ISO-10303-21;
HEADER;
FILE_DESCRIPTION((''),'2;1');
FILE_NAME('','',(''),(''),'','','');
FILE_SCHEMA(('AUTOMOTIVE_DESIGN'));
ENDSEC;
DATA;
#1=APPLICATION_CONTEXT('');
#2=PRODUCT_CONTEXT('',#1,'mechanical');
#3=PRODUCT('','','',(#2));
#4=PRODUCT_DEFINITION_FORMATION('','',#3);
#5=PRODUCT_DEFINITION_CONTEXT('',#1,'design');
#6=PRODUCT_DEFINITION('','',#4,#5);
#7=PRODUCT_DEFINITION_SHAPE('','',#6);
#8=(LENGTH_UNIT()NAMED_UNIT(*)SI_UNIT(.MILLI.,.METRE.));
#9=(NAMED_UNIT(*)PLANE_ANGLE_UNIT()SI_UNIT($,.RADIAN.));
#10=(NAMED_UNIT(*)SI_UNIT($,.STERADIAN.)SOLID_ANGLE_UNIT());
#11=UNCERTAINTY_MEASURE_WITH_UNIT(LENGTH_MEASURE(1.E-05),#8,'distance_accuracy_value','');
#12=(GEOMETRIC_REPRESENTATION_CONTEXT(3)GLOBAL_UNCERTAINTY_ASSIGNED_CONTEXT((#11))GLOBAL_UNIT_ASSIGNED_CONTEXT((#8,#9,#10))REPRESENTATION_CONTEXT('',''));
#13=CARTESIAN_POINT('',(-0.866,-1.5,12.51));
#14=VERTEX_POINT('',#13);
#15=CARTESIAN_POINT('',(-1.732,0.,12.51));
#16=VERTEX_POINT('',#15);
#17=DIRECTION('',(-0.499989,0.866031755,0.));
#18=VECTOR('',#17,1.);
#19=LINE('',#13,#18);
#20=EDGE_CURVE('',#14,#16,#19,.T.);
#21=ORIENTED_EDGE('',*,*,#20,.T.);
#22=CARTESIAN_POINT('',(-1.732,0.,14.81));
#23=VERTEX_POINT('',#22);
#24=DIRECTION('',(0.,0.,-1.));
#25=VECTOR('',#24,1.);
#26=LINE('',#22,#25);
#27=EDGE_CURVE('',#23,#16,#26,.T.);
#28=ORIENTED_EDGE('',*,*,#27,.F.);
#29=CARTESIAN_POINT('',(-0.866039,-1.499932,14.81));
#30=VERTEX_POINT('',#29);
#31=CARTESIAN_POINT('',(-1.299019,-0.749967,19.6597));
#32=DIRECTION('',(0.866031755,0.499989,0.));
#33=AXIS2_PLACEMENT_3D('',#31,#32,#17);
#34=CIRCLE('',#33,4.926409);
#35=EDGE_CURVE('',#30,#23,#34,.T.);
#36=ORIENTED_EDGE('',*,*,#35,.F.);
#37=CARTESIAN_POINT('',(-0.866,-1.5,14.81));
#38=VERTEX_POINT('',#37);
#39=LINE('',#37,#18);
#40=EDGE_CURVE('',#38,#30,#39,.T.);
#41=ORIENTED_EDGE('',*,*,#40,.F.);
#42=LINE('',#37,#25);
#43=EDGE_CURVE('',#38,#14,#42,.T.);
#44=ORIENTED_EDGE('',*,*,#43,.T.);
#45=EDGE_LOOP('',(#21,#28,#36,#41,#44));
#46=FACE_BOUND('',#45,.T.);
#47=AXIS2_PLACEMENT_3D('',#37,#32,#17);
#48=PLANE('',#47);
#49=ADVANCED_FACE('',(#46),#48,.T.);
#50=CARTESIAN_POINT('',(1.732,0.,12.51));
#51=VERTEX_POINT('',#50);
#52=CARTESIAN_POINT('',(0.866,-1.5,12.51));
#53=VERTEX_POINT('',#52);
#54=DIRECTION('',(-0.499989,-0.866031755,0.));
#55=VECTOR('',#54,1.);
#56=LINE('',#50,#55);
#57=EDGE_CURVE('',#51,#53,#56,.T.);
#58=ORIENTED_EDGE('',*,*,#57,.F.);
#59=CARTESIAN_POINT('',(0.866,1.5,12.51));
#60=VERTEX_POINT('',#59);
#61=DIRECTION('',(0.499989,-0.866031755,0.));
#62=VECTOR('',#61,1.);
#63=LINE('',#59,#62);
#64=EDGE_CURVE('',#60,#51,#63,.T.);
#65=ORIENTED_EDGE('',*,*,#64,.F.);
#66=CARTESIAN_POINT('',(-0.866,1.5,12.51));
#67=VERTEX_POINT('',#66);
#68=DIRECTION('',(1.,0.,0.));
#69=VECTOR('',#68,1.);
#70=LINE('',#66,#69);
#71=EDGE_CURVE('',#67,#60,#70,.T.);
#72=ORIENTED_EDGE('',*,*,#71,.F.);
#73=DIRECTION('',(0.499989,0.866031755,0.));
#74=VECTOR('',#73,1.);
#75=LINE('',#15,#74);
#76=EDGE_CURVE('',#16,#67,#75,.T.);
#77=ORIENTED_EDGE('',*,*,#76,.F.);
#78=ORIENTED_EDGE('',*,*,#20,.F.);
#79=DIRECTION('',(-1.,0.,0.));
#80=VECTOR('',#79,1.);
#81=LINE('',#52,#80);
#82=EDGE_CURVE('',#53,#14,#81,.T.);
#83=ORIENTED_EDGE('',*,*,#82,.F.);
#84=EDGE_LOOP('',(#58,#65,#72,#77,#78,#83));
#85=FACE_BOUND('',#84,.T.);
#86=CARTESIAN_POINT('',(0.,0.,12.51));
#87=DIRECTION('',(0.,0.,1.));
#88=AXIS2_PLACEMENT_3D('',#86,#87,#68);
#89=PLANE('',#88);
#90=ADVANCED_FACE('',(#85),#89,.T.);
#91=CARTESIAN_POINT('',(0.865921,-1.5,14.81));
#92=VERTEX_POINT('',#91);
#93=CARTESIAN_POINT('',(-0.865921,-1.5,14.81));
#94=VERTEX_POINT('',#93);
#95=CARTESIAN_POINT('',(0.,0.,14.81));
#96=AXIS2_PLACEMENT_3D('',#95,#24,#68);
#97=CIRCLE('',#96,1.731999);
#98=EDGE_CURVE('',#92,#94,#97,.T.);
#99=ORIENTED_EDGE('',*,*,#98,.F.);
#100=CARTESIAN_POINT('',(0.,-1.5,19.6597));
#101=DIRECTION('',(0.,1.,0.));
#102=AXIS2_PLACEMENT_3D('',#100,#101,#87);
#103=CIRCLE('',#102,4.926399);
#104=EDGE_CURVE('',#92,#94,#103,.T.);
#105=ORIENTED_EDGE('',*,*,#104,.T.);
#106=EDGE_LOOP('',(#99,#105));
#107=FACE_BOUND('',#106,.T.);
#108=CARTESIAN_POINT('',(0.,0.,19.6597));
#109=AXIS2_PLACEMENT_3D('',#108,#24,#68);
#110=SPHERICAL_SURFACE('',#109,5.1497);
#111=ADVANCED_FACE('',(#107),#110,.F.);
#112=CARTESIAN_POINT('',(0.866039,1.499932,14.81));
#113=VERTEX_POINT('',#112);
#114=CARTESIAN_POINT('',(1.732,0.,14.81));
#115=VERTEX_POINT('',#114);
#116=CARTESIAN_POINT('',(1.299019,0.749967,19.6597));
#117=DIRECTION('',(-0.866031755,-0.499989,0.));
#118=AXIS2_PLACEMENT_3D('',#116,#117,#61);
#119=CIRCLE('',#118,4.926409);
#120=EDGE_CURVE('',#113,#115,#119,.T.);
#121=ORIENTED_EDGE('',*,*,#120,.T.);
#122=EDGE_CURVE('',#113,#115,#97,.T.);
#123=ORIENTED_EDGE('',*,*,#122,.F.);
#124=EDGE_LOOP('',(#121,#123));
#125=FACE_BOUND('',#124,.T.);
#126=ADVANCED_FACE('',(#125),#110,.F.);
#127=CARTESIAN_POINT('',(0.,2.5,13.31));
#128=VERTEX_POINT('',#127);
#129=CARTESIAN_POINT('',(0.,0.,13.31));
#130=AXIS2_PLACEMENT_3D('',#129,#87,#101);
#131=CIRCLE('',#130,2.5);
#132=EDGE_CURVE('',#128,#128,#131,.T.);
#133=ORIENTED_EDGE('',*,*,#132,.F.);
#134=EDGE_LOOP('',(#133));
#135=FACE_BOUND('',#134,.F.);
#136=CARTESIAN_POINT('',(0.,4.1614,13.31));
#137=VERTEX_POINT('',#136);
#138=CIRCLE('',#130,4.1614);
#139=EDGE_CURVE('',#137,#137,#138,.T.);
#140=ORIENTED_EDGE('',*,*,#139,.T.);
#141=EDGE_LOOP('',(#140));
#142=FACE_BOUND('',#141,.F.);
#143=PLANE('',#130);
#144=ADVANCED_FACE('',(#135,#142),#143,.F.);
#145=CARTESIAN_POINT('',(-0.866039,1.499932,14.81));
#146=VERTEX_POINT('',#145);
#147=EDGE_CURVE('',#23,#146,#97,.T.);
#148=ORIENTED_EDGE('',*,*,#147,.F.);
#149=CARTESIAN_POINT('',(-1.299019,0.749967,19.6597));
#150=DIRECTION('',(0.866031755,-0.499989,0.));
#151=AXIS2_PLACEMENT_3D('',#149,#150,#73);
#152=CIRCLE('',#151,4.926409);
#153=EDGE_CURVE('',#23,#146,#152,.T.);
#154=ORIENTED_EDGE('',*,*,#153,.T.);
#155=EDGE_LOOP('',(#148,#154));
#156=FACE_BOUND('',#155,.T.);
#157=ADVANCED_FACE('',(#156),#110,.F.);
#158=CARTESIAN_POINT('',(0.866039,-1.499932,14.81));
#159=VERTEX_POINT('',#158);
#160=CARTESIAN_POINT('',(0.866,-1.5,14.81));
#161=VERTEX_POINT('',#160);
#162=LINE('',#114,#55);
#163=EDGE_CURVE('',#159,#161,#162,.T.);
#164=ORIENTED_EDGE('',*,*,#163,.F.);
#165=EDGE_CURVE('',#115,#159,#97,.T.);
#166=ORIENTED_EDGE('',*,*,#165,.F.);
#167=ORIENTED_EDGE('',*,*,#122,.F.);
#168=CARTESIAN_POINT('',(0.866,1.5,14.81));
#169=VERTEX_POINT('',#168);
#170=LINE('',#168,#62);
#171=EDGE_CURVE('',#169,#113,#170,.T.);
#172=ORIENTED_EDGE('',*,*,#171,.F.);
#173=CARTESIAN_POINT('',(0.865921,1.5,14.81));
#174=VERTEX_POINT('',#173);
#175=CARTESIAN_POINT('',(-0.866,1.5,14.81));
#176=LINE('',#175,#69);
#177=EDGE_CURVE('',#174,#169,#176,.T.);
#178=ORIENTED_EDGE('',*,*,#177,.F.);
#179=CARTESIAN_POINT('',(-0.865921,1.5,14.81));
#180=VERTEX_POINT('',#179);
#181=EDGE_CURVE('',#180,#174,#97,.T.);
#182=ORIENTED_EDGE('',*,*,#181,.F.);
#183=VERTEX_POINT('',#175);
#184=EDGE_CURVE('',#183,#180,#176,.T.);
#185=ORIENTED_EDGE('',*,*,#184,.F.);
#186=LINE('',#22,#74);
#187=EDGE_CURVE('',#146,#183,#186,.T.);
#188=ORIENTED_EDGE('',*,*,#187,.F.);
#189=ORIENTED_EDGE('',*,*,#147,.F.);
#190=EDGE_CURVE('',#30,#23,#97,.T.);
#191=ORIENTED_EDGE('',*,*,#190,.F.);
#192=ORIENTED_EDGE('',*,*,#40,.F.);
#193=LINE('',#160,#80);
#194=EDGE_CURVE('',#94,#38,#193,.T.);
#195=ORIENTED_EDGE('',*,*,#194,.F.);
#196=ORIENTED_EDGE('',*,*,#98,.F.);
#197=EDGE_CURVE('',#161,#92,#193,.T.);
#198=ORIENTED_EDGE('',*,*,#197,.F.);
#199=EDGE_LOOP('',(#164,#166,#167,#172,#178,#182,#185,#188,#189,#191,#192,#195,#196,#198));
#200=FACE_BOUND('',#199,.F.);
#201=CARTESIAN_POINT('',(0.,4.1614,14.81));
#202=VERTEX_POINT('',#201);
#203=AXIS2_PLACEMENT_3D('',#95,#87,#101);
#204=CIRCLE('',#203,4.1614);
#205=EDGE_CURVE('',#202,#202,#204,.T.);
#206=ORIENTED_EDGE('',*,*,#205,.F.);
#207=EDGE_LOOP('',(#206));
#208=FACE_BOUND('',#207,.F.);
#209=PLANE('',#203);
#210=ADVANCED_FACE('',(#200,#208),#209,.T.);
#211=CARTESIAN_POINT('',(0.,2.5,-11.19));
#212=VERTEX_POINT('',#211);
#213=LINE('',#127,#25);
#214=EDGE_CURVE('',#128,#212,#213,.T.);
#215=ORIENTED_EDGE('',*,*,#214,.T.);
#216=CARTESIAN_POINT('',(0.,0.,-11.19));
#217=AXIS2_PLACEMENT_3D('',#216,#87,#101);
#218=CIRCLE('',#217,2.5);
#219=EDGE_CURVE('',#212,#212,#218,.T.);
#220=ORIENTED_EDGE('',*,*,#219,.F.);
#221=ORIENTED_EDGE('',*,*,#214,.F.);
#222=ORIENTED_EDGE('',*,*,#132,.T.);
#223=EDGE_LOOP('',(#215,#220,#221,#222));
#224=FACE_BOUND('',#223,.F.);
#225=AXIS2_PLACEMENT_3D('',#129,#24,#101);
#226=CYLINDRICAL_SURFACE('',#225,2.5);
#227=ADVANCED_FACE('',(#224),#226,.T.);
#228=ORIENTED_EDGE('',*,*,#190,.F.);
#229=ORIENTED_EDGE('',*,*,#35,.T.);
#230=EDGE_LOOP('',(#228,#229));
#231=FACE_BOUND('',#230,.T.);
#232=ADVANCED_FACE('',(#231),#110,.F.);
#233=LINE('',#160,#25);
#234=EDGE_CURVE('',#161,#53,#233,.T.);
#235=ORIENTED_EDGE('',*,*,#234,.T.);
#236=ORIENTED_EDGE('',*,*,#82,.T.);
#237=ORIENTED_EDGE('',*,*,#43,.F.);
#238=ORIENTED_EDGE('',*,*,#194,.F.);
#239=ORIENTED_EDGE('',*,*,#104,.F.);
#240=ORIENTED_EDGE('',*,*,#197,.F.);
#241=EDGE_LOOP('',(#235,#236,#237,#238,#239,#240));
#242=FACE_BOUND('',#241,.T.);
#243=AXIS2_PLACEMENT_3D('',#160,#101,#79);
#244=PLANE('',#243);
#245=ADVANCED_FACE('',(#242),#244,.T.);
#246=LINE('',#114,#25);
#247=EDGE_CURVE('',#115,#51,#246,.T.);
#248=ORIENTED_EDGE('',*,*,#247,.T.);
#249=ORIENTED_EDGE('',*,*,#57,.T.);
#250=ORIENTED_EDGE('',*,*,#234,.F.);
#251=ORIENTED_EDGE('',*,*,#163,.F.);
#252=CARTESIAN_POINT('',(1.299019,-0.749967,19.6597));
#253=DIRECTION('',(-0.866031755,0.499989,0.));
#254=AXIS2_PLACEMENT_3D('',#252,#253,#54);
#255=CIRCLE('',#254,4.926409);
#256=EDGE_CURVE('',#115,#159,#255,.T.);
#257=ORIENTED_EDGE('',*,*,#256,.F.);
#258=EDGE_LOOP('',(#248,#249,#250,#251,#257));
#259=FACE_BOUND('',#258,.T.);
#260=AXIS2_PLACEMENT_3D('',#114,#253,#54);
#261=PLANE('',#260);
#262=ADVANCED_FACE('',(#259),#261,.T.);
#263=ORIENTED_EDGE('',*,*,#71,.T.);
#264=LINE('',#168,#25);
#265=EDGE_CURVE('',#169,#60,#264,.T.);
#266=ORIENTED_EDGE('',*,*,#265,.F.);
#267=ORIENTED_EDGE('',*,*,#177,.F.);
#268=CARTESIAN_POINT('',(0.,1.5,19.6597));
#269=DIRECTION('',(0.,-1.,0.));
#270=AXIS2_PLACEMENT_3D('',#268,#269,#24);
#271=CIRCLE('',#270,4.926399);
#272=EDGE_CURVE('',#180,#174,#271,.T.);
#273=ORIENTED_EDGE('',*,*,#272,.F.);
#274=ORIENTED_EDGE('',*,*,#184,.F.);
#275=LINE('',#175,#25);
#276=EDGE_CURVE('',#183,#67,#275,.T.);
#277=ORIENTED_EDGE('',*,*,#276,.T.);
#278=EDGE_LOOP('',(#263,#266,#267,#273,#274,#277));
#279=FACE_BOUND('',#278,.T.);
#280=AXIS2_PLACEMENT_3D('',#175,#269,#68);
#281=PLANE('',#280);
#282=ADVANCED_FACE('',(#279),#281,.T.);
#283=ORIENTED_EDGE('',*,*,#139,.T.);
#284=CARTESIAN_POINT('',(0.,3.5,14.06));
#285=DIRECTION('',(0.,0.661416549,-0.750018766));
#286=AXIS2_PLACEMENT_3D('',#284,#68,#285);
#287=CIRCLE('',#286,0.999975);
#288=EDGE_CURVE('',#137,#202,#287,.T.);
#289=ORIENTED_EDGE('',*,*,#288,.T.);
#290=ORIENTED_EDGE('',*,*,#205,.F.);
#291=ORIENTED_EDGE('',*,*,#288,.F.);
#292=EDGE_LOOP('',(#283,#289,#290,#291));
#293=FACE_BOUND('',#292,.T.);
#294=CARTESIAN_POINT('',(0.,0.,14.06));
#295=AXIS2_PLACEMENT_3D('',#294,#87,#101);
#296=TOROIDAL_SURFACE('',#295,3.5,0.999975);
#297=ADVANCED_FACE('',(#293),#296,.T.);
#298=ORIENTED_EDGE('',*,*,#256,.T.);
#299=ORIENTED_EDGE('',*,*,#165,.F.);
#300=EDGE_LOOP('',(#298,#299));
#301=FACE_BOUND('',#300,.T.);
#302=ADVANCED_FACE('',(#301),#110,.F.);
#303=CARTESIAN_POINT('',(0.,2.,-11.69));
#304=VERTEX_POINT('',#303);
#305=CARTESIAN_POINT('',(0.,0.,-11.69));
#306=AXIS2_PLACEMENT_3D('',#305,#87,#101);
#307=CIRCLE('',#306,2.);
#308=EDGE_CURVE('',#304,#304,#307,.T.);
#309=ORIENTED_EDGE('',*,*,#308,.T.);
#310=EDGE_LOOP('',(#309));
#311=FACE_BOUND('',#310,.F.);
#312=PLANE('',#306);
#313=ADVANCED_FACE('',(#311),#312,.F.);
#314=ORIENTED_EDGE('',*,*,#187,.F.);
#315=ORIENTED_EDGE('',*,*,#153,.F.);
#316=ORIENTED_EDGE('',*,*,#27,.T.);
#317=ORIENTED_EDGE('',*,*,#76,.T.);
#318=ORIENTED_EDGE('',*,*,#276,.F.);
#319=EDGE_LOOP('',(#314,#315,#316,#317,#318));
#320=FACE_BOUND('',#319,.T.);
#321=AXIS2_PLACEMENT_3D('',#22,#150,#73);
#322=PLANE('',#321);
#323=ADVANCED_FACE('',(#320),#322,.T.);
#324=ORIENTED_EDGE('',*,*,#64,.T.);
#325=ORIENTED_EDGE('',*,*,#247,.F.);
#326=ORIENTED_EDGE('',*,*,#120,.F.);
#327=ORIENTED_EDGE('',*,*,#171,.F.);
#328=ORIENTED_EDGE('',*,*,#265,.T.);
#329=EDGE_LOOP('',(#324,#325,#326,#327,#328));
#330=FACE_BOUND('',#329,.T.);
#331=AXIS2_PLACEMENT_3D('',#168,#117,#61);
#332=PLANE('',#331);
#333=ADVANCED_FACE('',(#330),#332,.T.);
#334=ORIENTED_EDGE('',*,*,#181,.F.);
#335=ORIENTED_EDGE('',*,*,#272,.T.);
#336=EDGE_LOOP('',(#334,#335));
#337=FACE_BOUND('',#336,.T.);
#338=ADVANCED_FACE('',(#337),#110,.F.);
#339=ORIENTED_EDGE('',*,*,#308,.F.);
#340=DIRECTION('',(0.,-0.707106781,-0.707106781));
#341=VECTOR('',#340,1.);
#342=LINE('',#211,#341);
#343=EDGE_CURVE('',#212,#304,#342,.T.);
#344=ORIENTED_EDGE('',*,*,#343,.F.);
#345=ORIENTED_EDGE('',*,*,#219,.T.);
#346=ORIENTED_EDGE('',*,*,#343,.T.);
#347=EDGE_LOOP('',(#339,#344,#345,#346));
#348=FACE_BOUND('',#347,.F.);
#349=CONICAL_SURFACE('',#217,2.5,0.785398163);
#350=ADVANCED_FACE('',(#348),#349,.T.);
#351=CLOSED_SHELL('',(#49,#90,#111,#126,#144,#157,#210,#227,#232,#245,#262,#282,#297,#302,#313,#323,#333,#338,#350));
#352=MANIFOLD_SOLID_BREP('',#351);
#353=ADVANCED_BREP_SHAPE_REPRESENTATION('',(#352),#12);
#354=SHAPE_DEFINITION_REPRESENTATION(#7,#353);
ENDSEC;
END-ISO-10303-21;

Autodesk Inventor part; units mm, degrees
ref_plane "YZ Plane" through (0, 0, 0) normal (1, 0, 0) x (0, 1, 0)
ref_plane "XZ Plane" through (0, 0, 0) normal (0, 1, 0) x (-1, 0, 0)
ref_plane "XY Plane" through (0, 0, 0) normal (0, 0, 1) x (1, 0, 0)
sketch "Sketch1" plane through (0, 0, 0) normal (1, 0, 0) x (0, 1, 0)
  line L0 (2.5, 2.81) -> (2.5, 11.31)
  spline S0 degree 2 poles (-3.9658, 2.81) (-4.0258, 2.8689) (-4.0876, 2.9295) knots 0 0 0 0.017848 0.017848 0.017848 weights 1 1.00044 1.00066
  line L1 (-2.5, 11.31) -> (-2.5, 2.81)
  line L2 (1.7321, 14.76) -> (1.7821, 14.81)
  line L3 (-1.7821, 14.81) -> (4.1614, 14.81)
  arc A0 (4.1614, 13.31) -> (4.1614, 14.81) centre (3.5, 14.06) ccw
  line L4 (4.1614, 13.31) -> (2.5, 13.31)
  line L5 (2.5, 13.31) -> (2.5, -11.19)
  line L6 (2.5, -11.19) -> (2, -11.69)
  line L7 (2, -11.69) -> (-2, -11.69)
  line L8 (-2, -11.69) -> (-2.5, -11.19)
  line L9 (-2.5, -11.19) -> (-2.5, 13.31)
  line L10 (-2.5, 13.31) -> (-4.1614, 13.31)
  arc A1 (-4.1614, 14.81) -> (-4.1614, 13.31) centre (-3.5, 14.06) ccw
  line L11 (-4.1614, 14.81) -> (-1.7821, 14.81)
  line L12 (-1.7821, 14.81) -> (-1.7321, 14.76)
  line L13 (-2, -11.69) -> (2, -11.69)
  line L14 (0, -11.69) -> (0, 14.81)
  point P0 (0, 0)
revolve "Revolution1" add sketch "Sketch1" angle 360 about axis through (0, 0, -11.69) along (0, 0, 1) contours L5 L6 L7 L14 L3 A0 L4 L0
sketch "Sketch2" plane through (0, 0, 14.81) normal (0, 0, 1) x (1, 0, 0)
  line L0 (1.732, 0) -> (0.866, -1.5)
  line L1 (0.866, -1.5) -> (-0.866, -1.5)
  line L2 (-0.866, -1.5) -> (-1.732, 0)
  line L3 (-1.732, 0) -> (-0.866, 1.5)
  line L4 (-0.866, 1.5) -> (0.866, 1.5)
  line L5 (0.866, 1.5) -> (1.732, 0)
  point P0 (0, 0)
  point P1 (0, 0)
  dimension "d1" = 3.464
extrude "Extrusion1" cut sketch "Sketch2" against normal blind 2.3
sketch "Sketch3" plane through (0, 0, 0) normal (0, 1, 0) x (-1, 0, 0)
  line L0 (0.866, 14.81) -> (-0.866, 14.81) projected
  line L1 (0.866, 14.81) -> (0.866, 12.51) projected
  line L2 (0.866, 12.51) -> (-0.866, 12.51) projected
  line L3 (-0.866, 14.81) -> (-0.866, 12.51) projected
  line L4 (1.732, 14.81) -> (1.732, 12.51) projected
  circle A0 centre (0, 19.6597) radius 5.1497
  line L5 (0, 14.81) -> (0, 14.51)
  line L6 (0, 14.81) -> (0, 24.8094)
  point P0 (0, 0)
  dimension "d5" = 0.3
revolve "Revolution2" cut sketch "Sketch3" angle 360 about axis through (0, 0, 14.81) along (0, 0, 1) contours L5 A0 L3 L0 | L0 L3 A0 L6
thread "Thread1" size "M5x0.8" class "6g" standard "ANSI Metric M Profile" full length
properties part number "Low Profile Screw M5 [25mm]" material "Steel"
